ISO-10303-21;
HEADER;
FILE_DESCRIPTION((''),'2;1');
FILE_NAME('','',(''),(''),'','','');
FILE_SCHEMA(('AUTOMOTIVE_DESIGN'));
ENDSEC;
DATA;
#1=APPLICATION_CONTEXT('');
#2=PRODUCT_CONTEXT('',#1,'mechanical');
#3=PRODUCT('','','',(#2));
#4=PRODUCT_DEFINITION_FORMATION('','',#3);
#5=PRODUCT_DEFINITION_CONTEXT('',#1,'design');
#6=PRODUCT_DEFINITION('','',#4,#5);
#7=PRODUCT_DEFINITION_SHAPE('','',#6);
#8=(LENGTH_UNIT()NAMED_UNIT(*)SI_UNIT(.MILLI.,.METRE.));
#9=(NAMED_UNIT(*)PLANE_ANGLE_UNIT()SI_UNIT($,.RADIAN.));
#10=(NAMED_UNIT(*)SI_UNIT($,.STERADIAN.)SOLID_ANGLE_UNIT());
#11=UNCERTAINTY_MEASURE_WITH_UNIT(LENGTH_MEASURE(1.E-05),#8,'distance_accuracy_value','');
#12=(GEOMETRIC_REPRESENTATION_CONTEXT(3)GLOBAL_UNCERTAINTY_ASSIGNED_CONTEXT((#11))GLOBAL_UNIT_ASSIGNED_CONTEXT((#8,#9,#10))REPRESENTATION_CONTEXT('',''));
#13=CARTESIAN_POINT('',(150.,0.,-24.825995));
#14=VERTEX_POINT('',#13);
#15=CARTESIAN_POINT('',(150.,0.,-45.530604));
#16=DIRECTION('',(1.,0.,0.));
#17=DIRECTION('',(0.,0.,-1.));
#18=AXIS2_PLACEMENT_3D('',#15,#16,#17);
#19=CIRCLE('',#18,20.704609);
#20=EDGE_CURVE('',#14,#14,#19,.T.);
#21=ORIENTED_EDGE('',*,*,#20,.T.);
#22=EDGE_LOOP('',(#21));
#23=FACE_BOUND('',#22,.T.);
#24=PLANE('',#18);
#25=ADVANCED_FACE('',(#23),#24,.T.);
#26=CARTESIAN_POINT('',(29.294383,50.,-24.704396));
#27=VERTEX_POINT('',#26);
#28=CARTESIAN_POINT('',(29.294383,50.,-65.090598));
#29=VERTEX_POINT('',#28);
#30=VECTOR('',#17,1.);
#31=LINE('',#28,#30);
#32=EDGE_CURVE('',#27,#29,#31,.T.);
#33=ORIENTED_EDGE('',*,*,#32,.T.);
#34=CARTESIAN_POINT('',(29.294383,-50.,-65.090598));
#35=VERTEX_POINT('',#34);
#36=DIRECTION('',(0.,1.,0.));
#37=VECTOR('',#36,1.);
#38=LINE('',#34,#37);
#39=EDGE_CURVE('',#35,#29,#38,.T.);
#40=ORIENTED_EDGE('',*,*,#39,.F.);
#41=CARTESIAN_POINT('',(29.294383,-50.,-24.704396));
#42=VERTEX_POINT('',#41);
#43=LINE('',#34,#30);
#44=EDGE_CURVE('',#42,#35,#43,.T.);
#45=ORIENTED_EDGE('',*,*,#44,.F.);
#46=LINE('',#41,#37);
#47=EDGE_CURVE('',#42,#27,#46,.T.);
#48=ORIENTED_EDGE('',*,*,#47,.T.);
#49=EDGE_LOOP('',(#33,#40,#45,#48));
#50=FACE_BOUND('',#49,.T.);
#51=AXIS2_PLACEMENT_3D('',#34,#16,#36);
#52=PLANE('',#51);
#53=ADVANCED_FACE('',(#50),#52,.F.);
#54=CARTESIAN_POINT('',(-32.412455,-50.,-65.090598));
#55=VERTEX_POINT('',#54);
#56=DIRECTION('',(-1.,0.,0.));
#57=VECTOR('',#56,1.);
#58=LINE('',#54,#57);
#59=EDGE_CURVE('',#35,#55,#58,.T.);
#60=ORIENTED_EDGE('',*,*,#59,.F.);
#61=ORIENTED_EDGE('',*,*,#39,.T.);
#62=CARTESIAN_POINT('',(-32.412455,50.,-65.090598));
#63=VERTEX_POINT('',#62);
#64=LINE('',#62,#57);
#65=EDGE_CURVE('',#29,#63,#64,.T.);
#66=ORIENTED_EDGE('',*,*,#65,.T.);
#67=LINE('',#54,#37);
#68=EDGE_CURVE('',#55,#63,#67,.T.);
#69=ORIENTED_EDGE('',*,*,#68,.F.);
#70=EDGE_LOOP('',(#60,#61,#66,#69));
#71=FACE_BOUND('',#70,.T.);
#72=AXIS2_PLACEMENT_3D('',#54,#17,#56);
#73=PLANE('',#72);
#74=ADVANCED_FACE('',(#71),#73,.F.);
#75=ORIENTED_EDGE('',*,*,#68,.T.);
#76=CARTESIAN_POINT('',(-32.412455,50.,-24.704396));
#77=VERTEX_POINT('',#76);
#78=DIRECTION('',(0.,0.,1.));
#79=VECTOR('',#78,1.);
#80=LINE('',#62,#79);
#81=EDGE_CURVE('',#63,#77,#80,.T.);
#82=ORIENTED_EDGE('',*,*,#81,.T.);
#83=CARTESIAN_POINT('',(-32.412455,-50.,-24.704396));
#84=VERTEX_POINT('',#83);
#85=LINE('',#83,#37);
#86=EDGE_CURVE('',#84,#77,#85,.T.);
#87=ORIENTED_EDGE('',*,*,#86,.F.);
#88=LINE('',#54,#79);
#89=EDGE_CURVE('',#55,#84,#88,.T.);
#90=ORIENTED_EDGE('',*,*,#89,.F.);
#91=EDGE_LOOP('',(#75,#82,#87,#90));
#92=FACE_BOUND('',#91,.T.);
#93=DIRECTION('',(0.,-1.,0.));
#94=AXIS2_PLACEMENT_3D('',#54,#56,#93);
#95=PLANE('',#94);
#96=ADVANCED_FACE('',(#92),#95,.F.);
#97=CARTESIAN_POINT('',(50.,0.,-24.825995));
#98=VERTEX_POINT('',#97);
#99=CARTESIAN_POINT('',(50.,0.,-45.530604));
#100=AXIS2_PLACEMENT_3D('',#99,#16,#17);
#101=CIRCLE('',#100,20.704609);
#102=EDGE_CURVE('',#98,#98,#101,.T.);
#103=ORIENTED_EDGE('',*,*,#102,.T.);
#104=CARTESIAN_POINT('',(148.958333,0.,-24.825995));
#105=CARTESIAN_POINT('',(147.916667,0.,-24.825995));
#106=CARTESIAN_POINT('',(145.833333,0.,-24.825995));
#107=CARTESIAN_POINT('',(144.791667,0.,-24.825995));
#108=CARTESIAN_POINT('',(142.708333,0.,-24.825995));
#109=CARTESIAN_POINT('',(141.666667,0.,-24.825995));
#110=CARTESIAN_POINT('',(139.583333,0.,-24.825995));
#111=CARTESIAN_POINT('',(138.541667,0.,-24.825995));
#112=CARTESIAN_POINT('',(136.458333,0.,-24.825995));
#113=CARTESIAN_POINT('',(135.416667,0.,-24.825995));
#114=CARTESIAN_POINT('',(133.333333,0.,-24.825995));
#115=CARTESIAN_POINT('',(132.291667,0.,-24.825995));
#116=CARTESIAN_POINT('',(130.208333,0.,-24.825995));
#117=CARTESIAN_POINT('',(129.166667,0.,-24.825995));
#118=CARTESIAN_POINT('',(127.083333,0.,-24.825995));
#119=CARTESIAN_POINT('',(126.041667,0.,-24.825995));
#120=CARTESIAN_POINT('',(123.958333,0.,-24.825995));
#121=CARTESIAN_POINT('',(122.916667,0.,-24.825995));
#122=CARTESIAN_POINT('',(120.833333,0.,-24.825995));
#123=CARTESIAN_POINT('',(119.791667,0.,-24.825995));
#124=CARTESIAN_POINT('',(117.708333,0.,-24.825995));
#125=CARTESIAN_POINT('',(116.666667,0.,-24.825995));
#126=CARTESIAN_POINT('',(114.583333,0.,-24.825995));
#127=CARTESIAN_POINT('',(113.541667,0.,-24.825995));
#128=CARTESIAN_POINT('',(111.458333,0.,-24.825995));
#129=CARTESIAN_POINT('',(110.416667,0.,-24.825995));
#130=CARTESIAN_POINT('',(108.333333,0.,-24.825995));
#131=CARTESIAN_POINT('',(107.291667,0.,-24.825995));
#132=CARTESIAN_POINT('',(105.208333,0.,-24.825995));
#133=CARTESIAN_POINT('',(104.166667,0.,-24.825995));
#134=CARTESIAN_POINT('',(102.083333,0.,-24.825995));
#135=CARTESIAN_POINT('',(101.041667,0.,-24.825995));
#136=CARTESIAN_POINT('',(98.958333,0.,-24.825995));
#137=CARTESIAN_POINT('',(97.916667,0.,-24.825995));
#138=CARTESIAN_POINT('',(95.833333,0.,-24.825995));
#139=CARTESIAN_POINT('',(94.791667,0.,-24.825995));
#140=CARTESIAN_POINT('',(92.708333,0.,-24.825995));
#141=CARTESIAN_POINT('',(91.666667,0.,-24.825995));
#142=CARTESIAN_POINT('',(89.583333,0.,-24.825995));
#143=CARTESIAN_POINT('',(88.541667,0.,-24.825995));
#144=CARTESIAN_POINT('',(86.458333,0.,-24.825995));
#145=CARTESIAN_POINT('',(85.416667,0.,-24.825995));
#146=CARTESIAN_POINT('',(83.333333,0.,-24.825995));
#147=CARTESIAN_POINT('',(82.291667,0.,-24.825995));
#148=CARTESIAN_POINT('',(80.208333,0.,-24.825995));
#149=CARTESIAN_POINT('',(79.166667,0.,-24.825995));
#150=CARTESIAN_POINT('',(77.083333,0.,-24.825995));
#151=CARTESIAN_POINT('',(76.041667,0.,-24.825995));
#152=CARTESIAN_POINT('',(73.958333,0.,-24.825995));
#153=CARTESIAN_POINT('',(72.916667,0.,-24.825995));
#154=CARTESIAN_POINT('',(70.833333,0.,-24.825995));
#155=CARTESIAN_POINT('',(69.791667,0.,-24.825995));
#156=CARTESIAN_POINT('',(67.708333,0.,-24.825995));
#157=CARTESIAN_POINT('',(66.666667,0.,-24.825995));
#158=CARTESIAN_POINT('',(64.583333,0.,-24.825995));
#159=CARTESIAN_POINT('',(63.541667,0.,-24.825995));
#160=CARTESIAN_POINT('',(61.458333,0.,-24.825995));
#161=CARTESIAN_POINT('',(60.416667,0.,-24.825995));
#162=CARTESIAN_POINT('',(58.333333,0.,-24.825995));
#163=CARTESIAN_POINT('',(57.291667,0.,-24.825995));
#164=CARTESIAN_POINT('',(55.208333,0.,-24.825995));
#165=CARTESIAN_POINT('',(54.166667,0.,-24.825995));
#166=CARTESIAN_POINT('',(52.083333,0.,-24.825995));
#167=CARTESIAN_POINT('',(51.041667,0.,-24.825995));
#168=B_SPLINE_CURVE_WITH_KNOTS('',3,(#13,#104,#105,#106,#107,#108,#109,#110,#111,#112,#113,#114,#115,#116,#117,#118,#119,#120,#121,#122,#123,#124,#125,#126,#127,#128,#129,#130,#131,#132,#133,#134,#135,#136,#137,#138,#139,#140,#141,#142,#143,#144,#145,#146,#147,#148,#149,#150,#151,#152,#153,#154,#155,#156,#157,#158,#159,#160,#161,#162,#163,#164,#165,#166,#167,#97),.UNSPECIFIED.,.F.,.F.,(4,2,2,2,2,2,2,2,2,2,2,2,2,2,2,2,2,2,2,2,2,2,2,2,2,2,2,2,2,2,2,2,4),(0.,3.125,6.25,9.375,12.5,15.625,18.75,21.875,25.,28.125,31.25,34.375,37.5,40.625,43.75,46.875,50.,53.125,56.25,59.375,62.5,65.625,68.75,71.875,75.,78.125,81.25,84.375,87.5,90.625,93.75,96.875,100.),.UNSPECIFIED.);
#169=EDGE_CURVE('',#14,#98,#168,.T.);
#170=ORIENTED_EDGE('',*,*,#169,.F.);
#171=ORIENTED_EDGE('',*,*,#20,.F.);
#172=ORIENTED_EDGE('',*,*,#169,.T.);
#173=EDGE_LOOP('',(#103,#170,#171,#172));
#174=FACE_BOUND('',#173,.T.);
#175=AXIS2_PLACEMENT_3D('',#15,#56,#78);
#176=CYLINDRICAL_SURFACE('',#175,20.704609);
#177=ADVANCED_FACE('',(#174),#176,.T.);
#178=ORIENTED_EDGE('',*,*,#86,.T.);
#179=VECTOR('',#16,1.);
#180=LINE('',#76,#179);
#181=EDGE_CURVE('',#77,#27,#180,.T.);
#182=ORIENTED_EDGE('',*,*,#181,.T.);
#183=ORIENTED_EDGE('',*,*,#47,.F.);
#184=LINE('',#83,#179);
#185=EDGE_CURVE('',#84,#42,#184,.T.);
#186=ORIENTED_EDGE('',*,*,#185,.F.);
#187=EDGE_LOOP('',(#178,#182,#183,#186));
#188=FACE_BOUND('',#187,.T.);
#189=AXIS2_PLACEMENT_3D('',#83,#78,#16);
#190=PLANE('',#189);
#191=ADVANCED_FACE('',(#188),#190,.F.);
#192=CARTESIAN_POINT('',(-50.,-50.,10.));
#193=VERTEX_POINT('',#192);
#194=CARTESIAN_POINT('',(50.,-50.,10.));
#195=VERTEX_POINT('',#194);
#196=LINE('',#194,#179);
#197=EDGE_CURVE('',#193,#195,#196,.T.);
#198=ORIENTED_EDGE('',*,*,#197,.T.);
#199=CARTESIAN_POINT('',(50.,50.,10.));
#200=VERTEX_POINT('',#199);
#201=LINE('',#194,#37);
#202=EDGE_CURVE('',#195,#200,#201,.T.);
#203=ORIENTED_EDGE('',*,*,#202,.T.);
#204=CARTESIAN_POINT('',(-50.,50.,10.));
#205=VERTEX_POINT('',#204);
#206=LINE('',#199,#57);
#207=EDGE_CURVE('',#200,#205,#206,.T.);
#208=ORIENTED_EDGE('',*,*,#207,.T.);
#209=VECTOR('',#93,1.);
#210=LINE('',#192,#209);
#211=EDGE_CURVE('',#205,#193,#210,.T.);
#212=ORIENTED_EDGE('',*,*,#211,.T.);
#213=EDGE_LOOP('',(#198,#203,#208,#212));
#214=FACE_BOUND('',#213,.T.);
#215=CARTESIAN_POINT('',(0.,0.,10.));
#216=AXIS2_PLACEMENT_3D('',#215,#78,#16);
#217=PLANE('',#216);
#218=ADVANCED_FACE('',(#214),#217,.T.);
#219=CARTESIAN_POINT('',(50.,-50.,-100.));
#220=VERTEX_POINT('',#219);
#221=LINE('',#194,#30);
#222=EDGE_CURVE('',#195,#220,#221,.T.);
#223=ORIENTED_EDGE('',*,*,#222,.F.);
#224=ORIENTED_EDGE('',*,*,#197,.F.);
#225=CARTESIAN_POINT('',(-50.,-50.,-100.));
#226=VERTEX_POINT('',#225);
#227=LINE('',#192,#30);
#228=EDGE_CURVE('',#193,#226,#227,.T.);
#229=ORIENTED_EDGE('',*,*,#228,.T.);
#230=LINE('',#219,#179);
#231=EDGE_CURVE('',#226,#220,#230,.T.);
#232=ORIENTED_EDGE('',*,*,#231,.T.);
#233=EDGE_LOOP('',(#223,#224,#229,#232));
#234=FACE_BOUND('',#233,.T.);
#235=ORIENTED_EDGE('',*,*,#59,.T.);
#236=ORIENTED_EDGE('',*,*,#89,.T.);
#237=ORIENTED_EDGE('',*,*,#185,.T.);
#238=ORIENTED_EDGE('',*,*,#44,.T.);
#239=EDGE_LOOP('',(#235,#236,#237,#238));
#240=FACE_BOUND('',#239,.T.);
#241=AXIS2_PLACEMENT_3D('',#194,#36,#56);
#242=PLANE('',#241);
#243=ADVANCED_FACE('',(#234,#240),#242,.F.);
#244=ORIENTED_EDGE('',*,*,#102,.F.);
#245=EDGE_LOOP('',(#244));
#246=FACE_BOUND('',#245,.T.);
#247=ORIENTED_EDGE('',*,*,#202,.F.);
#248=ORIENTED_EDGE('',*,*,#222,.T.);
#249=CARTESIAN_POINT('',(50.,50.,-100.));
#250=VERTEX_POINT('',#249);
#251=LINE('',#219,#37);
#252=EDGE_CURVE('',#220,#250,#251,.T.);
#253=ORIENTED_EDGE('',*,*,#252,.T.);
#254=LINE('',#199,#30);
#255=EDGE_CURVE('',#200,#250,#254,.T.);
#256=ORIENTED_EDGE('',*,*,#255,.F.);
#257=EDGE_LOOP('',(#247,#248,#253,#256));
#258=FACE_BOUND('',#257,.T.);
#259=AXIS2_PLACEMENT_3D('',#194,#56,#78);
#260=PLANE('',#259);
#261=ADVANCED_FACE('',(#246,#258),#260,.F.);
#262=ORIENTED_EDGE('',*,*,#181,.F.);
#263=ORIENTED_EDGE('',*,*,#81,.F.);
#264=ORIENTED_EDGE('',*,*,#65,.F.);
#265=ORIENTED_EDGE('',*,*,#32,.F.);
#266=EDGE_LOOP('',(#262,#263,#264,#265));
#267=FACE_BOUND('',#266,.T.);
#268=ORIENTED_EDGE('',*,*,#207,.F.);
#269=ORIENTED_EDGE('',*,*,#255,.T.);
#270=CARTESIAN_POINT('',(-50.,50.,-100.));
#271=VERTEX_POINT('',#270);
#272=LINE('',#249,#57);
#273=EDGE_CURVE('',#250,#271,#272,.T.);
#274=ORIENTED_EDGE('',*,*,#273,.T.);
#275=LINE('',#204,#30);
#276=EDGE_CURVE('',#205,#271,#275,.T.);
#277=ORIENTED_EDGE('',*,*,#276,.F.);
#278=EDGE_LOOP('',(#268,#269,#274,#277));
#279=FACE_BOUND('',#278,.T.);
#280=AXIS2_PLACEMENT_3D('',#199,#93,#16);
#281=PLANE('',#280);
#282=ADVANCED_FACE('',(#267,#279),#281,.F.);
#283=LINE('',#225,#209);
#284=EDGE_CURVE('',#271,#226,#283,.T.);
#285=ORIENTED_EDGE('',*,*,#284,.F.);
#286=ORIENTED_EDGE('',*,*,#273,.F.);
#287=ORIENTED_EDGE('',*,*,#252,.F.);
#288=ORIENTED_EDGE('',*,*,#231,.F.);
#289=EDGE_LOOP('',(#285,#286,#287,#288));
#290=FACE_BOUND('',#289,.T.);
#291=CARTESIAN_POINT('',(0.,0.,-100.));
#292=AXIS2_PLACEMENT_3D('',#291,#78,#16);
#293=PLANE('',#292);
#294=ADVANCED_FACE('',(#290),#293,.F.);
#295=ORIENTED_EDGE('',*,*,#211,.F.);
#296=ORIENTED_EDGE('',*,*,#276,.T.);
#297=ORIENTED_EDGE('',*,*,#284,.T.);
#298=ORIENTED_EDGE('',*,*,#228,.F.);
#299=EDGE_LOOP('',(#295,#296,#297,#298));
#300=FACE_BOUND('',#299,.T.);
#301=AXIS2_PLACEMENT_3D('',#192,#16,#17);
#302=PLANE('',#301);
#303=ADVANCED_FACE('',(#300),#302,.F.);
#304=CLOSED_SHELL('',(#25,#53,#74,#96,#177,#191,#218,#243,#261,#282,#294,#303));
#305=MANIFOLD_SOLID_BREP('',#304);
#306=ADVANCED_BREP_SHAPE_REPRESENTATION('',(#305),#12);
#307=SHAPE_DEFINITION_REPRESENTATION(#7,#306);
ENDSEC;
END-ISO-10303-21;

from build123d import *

# Parameters (mm, degrees)
BOSS_EXTRUDE1_DEPTH      = 10
BOSS_EXTRUDE1_DEPTH_BACK = 100
SKETCH2_W                = 100
SKETCH2_H                = 100
SKETCH3_R                = 20.704608813
BOSS_EXTRUDE2_DEPTH      = 100
SKETCH4_W                = 61.706837877
SKETCH4_H                = 40.386202863
CUT_EXTRUDE1_DEPTH       = 207.155281281


with BuildPart() as part:
    # Sketch2 → Boss-Extrude1 (new, two sides: drawn at the far end of the back side and taken through both)
    with BuildSketch(Plane.XY.offset(-BOSS_EXTRUDE1_DEPTH_BACK)):
        Rectangle(SKETCH2_W, SKETCH2_H)
    extrude(amount=BOSS_EXTRUDE1_DEPTH + BOSS_EXTRUDE1_DEPTH_BACK)

    # Sketch3 → Boss-Extrude2 (add)
    with BuildSketch(Plane(origin=(50, 0, 0), x_dir=(0, 0, -1), z_dir=(1, 0, 0))):
        with Locations(Location((45.530604039, 0, 0), (0, 0, 180))):
            Circle(SKETCH3_R)
    extrude(amount=BOSS_EXTRUDE2_DEPTH)

    # Sketch4 → Cut-Extrude1 (cut, through all)
    with BuildSketch(Plane(origin=(0, 50, 0), x_dir=(1, 0, 0), z_dir=(0, 1, 0))):
        with Locations((-1.559035635, 44.897496948)):
            Rectangle(SKETCH4_W, SKETCH4_H)
    extrude(amount=-CUT_EXTRUDE1_DEPTH, mode=Mode.SUBTRACT)


solid = part.part
